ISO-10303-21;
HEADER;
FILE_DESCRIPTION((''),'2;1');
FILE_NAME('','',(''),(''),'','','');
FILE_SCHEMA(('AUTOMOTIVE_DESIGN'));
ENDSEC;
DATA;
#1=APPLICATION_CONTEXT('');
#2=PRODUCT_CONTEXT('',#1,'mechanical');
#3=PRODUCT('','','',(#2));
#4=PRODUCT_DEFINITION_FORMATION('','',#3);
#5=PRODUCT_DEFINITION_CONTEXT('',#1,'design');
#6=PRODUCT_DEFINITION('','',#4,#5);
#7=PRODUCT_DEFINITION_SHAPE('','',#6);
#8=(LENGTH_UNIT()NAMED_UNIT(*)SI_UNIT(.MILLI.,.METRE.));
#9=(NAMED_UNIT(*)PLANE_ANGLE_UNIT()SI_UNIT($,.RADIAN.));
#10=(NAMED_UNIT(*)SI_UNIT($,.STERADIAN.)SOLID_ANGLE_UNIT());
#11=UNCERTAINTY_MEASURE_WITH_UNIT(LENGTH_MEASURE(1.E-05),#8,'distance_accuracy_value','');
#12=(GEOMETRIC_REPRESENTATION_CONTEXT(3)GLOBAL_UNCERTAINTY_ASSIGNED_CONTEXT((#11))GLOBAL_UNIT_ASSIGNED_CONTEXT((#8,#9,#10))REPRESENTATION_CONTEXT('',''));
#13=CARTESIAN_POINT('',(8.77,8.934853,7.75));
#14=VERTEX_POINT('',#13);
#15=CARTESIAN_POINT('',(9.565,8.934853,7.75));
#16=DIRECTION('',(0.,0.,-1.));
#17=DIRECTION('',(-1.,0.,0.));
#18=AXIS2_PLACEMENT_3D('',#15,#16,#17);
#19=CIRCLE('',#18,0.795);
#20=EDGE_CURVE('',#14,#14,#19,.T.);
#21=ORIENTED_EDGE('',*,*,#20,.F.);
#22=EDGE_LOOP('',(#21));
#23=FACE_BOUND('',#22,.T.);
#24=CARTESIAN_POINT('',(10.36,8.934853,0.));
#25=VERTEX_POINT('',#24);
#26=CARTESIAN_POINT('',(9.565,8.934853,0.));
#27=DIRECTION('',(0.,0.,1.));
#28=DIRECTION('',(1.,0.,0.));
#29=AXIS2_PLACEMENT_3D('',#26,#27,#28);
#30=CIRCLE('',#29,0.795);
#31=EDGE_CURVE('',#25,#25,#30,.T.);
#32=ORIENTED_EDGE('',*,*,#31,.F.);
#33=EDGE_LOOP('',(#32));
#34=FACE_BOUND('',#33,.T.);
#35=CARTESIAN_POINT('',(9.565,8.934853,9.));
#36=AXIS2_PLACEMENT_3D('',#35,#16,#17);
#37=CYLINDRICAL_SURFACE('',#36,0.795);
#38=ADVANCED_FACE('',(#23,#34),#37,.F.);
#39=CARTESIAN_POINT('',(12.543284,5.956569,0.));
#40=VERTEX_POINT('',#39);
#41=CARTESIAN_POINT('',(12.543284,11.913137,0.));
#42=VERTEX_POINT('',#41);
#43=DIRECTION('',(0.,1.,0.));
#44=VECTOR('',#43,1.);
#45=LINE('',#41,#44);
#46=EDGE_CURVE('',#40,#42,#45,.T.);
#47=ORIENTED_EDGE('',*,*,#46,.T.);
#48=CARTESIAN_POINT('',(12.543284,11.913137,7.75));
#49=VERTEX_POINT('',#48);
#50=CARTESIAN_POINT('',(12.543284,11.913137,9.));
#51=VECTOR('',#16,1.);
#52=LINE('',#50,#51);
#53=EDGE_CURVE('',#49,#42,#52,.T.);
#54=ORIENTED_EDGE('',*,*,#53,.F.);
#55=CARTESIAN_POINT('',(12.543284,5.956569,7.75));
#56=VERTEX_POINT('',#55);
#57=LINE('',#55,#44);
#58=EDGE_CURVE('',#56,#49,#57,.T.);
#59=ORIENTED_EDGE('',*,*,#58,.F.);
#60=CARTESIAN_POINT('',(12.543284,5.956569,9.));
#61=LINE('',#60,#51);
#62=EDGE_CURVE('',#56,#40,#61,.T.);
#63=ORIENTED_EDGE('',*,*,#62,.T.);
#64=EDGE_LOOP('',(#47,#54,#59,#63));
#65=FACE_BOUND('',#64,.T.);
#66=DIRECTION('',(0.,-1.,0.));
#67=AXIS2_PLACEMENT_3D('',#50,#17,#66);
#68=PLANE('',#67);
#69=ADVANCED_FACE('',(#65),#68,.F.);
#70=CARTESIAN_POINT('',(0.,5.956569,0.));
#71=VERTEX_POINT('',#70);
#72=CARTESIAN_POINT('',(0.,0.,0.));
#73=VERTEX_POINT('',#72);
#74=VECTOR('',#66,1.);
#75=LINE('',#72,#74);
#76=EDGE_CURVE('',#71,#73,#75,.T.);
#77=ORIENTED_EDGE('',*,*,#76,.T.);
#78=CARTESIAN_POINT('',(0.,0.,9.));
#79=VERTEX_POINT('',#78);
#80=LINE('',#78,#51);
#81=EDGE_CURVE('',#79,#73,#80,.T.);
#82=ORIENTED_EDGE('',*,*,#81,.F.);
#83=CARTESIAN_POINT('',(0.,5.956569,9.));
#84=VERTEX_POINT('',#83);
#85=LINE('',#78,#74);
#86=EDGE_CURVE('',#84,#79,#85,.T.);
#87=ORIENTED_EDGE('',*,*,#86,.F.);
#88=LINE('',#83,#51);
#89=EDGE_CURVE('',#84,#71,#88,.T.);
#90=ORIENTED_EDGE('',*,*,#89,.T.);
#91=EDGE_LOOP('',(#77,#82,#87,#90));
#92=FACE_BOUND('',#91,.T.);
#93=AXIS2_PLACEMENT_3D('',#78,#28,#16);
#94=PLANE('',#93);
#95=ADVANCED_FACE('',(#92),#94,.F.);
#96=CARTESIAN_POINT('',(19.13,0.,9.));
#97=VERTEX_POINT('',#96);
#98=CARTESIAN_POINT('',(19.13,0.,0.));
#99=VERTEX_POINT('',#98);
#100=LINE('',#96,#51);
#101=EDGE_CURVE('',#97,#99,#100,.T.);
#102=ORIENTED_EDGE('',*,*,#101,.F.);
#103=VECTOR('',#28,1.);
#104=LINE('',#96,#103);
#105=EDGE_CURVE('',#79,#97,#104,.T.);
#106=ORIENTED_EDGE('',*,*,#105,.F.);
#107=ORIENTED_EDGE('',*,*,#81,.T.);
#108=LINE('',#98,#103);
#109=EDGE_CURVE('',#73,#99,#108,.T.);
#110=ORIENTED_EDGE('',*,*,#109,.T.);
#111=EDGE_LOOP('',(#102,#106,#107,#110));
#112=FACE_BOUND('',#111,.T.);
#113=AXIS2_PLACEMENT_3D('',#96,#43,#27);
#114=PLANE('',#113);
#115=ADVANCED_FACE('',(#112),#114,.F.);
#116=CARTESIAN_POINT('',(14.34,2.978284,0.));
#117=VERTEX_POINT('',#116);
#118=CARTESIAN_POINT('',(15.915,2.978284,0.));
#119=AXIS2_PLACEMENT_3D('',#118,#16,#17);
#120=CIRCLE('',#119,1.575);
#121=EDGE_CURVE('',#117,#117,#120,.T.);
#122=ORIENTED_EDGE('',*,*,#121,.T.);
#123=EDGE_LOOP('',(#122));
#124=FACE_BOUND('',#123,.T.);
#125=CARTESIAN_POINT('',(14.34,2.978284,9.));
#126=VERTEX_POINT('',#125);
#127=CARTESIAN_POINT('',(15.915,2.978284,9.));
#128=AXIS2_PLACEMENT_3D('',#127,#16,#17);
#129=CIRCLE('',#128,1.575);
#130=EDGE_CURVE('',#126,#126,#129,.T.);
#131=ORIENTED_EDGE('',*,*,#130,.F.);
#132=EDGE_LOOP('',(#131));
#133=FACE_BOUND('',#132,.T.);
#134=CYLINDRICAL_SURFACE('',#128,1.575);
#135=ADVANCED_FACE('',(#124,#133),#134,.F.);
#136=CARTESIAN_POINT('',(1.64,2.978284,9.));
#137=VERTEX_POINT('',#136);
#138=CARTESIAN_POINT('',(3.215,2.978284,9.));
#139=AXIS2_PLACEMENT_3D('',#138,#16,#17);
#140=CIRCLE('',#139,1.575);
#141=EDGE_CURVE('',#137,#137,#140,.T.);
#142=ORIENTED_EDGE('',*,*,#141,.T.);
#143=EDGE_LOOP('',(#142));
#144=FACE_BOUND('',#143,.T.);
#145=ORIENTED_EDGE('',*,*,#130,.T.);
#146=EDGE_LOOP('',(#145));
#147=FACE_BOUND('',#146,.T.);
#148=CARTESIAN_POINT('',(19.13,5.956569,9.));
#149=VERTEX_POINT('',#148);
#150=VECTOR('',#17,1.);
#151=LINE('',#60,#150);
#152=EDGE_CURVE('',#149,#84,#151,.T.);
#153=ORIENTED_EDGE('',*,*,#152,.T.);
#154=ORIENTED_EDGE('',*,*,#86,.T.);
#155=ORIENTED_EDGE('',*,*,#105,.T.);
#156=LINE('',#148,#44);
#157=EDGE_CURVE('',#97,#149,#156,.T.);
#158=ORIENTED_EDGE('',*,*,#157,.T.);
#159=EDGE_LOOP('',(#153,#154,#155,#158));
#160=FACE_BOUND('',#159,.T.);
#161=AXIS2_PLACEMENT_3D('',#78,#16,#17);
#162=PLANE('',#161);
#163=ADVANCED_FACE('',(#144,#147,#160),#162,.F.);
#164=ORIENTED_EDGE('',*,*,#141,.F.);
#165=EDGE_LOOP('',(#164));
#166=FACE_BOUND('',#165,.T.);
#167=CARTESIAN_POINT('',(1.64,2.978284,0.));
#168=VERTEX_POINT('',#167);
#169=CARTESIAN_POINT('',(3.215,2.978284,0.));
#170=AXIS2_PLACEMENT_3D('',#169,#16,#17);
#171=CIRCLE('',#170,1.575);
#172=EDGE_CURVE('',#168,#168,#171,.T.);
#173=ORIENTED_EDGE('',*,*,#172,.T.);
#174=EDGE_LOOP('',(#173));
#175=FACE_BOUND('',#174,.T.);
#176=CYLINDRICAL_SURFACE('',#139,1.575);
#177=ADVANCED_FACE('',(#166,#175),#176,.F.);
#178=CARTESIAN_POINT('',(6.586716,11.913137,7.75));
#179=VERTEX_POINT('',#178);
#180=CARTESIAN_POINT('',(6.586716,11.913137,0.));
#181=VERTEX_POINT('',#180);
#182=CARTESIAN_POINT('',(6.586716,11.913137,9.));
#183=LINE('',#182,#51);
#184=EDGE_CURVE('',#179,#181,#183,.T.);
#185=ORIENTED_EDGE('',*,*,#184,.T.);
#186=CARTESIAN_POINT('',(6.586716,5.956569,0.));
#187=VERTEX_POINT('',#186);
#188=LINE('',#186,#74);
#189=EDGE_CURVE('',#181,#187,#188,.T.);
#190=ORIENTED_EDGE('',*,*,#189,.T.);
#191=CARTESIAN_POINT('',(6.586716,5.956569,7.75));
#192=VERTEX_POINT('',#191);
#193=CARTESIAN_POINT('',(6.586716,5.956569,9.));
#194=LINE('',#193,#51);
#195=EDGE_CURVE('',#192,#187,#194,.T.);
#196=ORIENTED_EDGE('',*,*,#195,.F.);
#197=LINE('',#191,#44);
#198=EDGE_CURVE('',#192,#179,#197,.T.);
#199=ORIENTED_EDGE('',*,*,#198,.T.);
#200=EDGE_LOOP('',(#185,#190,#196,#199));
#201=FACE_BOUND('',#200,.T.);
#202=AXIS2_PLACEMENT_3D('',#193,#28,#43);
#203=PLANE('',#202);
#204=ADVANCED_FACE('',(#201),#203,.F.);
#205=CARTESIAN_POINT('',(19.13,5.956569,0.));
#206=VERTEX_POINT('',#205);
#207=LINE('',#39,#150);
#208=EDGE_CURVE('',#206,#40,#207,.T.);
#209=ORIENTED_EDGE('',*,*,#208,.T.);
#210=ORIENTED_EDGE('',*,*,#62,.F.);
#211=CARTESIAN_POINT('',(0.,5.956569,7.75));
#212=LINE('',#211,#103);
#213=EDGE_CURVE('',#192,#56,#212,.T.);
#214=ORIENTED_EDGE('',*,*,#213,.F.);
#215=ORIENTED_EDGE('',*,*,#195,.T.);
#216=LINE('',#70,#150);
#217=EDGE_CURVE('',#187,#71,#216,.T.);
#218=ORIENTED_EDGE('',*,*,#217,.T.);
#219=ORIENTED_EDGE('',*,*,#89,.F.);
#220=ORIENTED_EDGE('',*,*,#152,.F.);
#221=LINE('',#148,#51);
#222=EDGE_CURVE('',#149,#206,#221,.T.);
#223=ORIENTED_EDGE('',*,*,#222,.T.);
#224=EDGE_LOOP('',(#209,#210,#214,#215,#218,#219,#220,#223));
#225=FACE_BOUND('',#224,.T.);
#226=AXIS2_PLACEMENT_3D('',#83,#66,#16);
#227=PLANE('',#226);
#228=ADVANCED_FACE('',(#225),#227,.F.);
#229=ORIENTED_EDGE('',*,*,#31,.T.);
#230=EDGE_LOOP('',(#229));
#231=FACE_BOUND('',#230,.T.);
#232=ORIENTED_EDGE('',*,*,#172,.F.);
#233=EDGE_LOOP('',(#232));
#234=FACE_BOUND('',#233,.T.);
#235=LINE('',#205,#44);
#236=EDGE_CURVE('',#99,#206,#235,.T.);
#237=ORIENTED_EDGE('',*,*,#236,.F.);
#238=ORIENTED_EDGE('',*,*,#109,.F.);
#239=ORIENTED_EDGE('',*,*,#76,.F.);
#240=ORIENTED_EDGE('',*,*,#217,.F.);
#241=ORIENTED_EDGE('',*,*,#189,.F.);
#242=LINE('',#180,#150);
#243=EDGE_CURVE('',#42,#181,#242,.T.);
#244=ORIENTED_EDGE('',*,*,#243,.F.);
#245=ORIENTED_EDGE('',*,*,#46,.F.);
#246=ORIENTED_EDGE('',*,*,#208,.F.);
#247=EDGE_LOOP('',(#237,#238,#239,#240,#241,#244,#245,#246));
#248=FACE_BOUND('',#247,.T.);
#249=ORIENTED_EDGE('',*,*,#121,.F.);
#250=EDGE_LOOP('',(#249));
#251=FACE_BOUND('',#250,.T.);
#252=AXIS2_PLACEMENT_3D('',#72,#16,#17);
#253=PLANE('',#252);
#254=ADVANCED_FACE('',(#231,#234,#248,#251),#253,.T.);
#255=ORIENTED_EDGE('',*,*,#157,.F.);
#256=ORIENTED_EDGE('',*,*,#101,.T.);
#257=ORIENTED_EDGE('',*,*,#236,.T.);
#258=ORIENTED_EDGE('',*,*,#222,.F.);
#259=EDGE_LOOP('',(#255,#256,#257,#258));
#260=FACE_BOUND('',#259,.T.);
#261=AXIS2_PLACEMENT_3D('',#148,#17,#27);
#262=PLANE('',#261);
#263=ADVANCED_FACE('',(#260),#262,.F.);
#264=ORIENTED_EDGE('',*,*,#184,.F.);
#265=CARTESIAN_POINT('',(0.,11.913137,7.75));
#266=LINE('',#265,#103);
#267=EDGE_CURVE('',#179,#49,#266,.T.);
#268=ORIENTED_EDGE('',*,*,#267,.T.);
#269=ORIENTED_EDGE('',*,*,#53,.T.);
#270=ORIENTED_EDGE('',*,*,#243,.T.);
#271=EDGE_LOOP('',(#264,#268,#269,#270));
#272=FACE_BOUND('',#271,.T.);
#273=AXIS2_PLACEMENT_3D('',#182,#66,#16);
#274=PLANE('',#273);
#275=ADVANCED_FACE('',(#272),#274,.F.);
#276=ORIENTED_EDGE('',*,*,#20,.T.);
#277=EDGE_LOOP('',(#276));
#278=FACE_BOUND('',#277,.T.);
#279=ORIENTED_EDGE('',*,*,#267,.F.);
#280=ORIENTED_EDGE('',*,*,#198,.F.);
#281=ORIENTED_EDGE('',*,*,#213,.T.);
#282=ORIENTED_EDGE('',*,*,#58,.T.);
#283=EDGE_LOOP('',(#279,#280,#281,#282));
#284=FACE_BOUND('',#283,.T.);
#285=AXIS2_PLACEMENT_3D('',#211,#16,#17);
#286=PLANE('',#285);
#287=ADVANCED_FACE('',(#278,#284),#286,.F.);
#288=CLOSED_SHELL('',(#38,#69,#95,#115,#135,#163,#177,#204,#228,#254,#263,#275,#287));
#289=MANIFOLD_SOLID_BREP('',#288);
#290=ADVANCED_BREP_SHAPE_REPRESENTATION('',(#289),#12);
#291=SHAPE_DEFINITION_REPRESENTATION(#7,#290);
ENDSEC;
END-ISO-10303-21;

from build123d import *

# Parameters (mm, degrees)
SKETCH1_R           = 0.795
BOSS_EXTRUDE1_DEPTH = 9
SKETCH4_W           = 1.25
SKETCH4_H           = 5.95656864
CUT_EXTRUDE2_DEPTH  = 13.54328432
SKETCH5_R           = 1.575
CUT_EXTRUDE3_DEPTH  = 10


with BuildPart() as part:
    # Sketch1 → Boss-Extrude1 (new body)
    with BuildSketch(Plane.XY):
        Polygon((0, 0), (0, 5.95656864), (6.58671568, 5.95656864), (6.58671568, 11.91313728), (12.54328432, 11.91313728), (12.54328432, 5.95656864), (19.13, 5.95656864), (19.13, 0), align=None)
        with Locations((9.565, 8.93485296)):
            Circle(SKETCH1_R, mode=Mode.SUBTRACT)
    extrude(amount=BOSS_EXTRUDE1_DEPTH)

    # Sketch4 → Cut-Extrude2 (cut, through all)
    with BuildSketch(Plane(origin=(12.54328432, 0, 0), x_dir=(0, 0, -1), z_dir=(1, 0, 0))):
        with Locations((-8.375, 8.93485296)):
            Rectangle(SKETCH4_W, SKETCH4_H)
    extrude(amount=-CUT_EXTRUDE2_DEPTH, mode=Mode.SUBTRACT)

    # Sketch5 → Cut-Extrude3 (cut, through all)
    with BuildSketch(Plane(origin=(0, 0, 0), x_dir=(-1, 0, 0), z_dir=(0, 0, -1))):
        with Locations((-3.215, 2.97828432)):
            Circle(SKETCH5_R)
        with Locations((-15.915, 2.97828432)):
            Circle(SKETCH5_R)
    extrude(amount=-CUT_EXTRUDE3_DEPTH, mode=Mode.SUBTRACT)


solid = part.part
